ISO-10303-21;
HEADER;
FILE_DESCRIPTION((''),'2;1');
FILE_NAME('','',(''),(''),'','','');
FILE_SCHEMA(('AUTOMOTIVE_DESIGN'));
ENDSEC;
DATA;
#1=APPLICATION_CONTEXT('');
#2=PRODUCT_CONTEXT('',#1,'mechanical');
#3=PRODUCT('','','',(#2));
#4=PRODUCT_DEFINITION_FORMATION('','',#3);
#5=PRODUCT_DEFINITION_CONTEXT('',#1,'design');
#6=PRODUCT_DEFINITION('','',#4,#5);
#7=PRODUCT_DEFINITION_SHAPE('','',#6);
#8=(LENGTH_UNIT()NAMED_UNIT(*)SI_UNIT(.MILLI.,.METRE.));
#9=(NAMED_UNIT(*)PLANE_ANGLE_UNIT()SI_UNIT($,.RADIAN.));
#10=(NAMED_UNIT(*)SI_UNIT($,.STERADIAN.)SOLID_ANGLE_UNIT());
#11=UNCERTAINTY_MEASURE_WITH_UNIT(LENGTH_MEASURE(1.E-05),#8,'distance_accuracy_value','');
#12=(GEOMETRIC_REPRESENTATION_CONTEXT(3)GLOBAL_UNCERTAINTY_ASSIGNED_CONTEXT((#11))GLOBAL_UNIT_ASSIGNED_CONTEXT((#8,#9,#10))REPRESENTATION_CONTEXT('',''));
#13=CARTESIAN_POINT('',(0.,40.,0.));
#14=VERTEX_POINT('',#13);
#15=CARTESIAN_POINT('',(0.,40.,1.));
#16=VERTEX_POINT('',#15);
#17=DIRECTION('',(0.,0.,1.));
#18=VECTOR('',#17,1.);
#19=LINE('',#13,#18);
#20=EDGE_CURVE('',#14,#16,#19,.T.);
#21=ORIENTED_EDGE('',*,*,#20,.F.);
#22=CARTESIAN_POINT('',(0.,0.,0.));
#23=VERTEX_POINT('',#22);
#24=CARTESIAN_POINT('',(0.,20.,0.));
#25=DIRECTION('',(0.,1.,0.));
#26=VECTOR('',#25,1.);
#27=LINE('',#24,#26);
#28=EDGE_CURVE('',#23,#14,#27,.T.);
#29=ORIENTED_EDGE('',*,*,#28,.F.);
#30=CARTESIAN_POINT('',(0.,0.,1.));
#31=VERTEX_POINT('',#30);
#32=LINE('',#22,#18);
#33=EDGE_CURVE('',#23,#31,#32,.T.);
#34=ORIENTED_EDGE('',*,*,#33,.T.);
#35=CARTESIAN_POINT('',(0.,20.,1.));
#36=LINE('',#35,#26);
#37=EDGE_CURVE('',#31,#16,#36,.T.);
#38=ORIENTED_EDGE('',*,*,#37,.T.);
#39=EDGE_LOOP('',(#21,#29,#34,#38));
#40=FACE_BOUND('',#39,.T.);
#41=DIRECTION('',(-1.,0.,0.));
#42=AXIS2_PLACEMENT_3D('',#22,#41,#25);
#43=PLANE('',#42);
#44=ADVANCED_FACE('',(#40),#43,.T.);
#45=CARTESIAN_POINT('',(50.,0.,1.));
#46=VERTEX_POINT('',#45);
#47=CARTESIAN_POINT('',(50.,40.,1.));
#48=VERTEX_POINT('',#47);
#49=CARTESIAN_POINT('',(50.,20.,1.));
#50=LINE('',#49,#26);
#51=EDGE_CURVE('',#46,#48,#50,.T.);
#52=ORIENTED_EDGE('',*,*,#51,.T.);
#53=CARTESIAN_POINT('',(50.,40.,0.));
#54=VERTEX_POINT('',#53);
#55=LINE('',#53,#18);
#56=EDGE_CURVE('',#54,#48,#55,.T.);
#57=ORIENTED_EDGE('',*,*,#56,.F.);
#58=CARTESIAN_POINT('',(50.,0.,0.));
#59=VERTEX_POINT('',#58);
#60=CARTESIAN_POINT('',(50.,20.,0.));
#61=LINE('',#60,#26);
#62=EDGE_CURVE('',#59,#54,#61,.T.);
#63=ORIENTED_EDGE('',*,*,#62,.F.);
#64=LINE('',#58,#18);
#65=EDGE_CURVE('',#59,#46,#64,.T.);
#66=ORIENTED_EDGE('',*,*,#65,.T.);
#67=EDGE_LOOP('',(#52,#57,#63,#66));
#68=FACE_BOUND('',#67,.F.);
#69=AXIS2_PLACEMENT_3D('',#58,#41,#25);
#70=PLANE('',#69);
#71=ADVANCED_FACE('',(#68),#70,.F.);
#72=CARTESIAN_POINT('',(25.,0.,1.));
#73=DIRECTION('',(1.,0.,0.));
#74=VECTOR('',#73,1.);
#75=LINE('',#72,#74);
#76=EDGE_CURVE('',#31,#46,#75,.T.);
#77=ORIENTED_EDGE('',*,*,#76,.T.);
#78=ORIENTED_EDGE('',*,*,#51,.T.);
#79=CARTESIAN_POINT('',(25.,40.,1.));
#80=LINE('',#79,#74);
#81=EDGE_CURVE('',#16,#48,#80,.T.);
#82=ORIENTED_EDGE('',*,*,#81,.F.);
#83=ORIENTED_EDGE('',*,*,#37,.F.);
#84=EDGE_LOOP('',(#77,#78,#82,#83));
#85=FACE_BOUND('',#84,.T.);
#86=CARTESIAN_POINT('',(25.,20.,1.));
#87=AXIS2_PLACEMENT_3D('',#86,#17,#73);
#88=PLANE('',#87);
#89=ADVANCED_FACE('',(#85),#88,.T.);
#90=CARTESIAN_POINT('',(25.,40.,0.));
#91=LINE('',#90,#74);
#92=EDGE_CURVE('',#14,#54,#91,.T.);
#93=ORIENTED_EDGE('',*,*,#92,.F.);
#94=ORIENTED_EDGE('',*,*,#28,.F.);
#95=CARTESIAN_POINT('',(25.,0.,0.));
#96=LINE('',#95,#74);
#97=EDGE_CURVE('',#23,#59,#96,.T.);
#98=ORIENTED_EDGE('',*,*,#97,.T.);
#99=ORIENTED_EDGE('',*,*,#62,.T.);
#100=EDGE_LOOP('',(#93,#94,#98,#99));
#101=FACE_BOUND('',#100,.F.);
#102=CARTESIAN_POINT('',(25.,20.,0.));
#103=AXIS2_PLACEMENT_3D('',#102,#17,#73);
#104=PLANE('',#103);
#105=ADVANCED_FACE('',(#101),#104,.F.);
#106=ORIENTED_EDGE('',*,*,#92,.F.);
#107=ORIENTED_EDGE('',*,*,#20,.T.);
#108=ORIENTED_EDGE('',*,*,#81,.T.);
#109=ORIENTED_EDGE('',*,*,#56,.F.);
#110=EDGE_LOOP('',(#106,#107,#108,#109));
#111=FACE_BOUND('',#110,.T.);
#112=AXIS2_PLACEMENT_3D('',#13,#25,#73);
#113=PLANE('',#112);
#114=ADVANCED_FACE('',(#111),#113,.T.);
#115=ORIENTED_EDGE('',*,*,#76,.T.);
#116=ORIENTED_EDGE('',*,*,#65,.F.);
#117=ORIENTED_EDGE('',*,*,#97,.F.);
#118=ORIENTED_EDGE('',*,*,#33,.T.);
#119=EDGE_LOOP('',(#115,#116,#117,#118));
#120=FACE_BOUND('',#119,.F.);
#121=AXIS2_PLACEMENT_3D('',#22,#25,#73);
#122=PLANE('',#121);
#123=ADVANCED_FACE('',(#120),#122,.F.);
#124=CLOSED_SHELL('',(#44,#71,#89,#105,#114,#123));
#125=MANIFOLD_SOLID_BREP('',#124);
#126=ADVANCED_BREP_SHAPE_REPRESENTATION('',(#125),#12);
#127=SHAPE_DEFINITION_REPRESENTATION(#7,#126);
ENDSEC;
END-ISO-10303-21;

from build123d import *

# Parameters (mm, degrees)
SKETCH_W  = 50
SKETCH_H  = 40
PAD_DEPTH = 1


with BuildPart() as part:
    # Sketch → Pad (new body)
    with BuildSketch(Plane.XY):
        with Locations((25, 20)):
            Rectangle(SKETCH_W, SKETCH_H)
    extrude(amount=PAD_DEPTH)


solid = part.part
